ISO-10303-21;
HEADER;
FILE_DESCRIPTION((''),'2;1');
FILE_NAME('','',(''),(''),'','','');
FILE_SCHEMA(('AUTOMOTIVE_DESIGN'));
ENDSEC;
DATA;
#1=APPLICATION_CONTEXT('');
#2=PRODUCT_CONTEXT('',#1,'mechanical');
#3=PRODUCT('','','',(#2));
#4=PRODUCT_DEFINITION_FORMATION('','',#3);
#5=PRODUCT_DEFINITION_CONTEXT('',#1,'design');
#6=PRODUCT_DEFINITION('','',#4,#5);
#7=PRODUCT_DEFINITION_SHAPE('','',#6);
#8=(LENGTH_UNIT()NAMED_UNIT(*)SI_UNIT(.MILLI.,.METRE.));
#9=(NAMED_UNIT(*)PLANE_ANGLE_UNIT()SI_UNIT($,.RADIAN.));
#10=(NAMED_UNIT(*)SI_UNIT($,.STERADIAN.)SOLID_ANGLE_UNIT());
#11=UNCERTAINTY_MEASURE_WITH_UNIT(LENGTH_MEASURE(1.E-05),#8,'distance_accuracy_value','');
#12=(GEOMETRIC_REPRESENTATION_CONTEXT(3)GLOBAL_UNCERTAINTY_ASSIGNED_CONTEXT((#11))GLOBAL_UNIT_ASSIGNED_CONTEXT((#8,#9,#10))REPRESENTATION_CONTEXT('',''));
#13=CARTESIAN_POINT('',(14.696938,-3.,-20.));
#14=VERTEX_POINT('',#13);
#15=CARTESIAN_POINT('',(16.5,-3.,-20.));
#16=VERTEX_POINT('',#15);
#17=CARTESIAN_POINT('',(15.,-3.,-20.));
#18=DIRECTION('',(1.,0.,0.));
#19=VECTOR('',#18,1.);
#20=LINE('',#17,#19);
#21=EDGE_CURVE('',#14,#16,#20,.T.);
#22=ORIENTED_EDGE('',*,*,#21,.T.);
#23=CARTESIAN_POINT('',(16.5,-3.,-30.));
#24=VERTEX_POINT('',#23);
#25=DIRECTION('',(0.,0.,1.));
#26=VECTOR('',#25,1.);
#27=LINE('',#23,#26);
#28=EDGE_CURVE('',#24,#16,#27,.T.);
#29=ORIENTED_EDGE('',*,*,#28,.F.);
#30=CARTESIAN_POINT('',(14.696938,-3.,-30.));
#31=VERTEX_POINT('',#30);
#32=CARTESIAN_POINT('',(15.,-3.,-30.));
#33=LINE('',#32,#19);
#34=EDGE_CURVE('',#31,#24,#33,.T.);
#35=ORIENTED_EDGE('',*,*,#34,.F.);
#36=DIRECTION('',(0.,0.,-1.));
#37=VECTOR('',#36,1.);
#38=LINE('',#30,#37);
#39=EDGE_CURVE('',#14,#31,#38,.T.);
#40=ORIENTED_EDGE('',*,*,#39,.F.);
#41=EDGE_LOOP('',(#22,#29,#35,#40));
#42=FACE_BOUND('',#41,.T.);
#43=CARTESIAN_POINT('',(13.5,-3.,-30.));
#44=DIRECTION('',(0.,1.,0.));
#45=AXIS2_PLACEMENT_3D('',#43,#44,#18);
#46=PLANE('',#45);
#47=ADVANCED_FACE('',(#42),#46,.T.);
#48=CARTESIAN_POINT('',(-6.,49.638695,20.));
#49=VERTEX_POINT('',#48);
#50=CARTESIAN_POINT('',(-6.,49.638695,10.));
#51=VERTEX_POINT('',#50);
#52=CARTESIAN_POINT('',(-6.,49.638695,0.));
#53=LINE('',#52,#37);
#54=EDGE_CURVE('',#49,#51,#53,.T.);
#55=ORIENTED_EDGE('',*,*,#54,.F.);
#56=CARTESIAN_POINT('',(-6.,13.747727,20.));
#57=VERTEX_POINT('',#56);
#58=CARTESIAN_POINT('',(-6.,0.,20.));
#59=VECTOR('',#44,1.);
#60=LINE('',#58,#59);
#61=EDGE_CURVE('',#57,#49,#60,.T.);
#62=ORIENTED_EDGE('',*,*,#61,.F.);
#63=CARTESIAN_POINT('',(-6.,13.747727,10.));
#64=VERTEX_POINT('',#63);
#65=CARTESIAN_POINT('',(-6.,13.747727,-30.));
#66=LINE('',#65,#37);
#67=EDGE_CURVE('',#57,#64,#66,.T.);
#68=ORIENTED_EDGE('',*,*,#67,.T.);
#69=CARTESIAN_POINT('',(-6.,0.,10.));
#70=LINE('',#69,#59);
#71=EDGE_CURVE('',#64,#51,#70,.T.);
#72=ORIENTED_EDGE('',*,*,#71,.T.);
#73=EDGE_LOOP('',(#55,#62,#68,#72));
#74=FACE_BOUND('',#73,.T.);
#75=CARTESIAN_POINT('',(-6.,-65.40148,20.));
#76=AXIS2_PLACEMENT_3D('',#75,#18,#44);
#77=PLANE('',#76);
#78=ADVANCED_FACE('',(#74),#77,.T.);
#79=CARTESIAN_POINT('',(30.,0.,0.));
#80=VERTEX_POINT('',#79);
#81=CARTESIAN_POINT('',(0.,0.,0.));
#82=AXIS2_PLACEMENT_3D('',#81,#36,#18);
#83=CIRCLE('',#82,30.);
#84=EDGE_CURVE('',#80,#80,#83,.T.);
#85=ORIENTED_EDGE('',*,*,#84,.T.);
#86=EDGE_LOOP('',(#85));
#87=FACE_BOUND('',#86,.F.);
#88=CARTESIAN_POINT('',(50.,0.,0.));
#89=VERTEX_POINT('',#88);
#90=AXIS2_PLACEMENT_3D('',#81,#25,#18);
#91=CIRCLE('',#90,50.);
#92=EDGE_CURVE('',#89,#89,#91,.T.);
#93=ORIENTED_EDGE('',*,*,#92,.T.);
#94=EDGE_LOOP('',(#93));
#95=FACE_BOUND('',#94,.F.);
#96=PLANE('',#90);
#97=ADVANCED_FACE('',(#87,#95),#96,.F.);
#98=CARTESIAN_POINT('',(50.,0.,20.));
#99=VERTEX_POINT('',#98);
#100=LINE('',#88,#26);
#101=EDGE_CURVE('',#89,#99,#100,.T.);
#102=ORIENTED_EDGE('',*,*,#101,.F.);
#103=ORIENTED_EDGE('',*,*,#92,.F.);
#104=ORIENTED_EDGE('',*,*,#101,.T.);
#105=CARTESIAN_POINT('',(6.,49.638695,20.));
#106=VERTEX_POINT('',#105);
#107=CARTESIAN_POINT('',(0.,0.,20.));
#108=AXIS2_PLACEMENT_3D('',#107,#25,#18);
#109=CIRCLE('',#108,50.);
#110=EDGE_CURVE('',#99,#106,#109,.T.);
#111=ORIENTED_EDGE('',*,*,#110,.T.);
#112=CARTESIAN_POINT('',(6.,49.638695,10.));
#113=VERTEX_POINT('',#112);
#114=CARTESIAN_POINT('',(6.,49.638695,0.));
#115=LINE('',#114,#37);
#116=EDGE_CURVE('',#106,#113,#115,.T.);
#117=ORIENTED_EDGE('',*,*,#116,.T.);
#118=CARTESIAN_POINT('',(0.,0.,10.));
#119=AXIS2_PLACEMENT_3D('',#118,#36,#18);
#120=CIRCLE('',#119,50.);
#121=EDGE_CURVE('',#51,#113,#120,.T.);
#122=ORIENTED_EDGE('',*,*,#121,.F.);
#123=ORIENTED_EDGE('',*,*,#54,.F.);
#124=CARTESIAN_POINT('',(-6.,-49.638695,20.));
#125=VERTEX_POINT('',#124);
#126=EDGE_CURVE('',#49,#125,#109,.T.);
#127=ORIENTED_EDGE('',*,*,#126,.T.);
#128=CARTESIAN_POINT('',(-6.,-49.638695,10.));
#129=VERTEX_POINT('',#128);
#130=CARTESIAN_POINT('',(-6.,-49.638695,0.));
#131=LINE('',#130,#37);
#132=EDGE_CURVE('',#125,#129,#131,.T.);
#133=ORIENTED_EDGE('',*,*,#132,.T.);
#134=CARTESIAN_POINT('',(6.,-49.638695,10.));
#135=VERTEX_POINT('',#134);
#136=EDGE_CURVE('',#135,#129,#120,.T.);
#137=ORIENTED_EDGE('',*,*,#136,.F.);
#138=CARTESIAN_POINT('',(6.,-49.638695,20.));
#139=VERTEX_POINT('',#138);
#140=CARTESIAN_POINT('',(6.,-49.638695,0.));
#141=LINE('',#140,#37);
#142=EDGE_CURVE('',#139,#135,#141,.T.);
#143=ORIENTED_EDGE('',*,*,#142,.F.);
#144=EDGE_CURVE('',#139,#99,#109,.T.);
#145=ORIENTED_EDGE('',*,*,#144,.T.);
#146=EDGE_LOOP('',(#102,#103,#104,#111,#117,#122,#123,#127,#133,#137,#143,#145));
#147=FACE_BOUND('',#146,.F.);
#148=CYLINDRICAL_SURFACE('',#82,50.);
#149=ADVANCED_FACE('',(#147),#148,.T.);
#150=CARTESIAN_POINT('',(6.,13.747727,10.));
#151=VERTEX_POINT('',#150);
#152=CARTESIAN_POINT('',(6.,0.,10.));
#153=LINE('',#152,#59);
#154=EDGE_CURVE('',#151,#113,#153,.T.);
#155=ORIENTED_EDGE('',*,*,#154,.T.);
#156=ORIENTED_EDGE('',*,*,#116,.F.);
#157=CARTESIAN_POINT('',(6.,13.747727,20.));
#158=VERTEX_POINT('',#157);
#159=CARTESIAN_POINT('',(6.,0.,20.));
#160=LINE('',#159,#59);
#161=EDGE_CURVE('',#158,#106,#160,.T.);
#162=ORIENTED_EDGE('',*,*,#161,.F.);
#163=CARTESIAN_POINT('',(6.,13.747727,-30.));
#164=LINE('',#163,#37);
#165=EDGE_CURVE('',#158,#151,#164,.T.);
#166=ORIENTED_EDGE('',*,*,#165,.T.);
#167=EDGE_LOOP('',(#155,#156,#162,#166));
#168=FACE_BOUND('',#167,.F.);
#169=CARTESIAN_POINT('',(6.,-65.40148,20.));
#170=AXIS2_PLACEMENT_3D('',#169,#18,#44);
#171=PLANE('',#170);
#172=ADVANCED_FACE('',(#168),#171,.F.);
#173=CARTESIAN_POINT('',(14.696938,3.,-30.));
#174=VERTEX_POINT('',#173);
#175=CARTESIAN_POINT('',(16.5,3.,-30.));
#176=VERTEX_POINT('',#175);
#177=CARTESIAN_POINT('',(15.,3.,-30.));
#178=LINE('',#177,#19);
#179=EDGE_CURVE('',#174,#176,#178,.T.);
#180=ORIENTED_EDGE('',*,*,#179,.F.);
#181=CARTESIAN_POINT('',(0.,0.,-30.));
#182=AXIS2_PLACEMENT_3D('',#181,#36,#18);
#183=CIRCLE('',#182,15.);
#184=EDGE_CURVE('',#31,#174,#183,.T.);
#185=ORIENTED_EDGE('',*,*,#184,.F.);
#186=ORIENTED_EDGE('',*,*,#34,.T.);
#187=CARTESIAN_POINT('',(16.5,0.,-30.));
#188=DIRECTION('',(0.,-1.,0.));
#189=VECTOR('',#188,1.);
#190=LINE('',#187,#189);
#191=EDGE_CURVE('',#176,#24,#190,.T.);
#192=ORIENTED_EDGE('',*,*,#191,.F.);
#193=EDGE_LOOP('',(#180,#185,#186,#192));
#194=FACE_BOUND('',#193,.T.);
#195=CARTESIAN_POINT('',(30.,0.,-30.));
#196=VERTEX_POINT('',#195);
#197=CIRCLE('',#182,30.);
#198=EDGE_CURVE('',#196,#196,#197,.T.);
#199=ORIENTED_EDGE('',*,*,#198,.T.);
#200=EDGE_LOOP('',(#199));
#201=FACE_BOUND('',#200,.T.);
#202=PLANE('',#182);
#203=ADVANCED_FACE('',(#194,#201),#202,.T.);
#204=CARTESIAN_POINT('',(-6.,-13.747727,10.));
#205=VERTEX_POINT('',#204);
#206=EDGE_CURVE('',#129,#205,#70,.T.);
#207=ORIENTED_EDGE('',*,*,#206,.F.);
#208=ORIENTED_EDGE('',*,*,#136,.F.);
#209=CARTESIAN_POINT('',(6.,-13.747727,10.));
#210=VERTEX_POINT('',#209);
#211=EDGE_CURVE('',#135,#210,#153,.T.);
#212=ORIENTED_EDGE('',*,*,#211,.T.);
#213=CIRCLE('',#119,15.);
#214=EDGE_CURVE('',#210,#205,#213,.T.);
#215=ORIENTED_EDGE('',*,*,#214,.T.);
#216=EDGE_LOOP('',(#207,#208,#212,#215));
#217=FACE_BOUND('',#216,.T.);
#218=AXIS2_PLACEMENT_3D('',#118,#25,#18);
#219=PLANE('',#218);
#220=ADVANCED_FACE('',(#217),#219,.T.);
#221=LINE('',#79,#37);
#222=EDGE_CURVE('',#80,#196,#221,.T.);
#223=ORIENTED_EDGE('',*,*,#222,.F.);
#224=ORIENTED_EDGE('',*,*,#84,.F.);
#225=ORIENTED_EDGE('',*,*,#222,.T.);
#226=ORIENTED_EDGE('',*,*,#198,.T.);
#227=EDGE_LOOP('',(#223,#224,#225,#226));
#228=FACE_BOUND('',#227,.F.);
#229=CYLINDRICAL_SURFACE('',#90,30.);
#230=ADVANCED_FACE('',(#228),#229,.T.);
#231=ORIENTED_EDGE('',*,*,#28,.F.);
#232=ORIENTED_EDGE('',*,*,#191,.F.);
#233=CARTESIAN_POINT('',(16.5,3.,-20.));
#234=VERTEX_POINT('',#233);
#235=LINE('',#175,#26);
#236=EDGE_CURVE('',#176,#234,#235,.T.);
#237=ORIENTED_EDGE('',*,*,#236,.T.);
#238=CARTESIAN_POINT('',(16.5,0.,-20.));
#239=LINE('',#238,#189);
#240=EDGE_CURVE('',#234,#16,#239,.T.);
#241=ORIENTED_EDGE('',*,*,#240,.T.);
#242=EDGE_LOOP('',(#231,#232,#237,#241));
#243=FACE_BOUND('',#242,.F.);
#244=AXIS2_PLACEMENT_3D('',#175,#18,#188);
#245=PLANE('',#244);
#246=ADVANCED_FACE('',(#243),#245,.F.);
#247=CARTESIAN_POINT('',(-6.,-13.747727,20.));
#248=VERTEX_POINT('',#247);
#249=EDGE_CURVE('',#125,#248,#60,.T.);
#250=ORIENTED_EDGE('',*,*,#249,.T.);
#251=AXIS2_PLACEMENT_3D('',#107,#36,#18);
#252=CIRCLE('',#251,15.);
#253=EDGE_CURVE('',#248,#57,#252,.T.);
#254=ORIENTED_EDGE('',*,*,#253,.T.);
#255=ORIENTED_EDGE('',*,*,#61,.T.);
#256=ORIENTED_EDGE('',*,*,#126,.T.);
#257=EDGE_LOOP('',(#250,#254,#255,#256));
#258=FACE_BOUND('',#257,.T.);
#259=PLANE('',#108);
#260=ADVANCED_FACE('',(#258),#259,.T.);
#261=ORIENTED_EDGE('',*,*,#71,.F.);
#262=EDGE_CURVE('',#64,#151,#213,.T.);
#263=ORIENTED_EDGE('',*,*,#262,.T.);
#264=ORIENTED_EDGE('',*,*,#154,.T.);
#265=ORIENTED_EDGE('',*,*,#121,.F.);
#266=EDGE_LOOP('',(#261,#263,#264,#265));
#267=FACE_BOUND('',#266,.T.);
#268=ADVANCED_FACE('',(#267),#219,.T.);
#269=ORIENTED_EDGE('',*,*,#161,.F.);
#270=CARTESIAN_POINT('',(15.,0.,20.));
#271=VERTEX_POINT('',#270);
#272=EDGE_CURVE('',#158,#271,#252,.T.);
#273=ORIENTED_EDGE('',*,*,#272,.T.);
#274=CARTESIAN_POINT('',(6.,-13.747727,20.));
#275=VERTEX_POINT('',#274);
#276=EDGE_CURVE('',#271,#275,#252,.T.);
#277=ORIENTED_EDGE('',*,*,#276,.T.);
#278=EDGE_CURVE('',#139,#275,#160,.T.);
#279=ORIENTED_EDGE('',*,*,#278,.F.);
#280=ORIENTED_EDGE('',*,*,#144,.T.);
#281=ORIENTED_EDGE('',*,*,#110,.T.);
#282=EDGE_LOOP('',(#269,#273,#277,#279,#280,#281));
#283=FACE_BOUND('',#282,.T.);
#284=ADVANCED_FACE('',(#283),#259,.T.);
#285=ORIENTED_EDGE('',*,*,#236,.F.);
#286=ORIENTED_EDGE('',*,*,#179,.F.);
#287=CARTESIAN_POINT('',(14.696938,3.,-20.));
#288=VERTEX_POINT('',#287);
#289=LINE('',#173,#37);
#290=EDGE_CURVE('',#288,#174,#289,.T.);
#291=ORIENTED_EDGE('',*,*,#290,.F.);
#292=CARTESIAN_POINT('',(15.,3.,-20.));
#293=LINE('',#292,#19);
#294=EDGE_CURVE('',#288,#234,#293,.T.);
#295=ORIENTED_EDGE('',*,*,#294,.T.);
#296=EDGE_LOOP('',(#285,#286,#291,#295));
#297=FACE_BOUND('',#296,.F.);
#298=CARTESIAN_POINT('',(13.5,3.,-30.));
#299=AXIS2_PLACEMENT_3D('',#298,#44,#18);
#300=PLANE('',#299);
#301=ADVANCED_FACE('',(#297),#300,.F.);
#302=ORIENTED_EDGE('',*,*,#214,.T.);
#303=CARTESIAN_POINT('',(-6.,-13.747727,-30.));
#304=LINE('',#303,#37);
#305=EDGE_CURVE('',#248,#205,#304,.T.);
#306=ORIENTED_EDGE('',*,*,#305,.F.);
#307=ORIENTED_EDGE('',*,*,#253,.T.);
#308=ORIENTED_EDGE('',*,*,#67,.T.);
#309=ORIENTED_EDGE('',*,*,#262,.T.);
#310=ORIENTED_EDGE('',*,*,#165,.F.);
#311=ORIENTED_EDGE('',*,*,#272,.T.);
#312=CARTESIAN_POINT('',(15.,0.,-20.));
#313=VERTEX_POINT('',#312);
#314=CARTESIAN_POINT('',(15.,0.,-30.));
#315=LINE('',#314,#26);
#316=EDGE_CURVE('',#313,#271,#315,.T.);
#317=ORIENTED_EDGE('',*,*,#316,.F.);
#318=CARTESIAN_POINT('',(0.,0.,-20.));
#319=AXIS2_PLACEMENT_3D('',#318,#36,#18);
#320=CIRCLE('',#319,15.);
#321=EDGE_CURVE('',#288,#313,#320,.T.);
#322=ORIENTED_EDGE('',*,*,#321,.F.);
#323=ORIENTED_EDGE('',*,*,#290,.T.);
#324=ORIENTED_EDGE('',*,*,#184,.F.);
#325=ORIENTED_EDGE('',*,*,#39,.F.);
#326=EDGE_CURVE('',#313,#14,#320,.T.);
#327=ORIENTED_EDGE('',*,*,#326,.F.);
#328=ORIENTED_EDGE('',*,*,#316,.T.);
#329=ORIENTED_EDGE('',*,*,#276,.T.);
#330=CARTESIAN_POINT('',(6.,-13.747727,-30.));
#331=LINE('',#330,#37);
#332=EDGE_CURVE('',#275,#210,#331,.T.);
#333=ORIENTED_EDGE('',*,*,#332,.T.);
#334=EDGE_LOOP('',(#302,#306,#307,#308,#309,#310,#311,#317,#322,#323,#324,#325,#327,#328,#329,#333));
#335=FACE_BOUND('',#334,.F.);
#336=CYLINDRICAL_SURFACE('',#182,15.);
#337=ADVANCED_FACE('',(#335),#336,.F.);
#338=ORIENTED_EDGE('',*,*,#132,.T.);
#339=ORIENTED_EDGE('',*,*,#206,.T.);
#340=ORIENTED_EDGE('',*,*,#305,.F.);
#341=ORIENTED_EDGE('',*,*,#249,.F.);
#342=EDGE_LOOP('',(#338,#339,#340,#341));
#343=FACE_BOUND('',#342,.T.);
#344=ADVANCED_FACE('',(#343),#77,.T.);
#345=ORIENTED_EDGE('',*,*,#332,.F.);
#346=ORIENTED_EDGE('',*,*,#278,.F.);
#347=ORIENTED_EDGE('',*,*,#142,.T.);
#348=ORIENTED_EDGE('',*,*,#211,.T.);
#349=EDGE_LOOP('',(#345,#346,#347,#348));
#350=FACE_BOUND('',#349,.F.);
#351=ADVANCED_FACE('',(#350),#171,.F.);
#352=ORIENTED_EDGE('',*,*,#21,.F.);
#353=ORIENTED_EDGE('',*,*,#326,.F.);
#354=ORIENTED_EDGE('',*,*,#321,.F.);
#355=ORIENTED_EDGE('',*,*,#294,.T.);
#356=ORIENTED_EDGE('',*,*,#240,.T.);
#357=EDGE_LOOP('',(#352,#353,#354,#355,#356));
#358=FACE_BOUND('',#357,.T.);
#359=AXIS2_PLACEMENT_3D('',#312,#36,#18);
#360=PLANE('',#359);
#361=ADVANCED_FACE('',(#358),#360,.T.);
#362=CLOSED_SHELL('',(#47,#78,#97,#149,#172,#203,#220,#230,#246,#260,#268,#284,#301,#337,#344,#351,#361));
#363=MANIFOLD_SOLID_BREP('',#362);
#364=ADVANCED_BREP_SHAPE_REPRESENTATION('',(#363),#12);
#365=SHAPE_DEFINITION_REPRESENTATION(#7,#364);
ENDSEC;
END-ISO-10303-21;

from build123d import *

# Parameters (mm, degrees)
F0_R     = 50
F1_DEPTH = 20
F2_W     = 12
F2_H     = 130.80296
F3_DEPTH = 10
F4_R     = 30
F5_DEPTH = 30
F7_W     = 3
F7_H     = 6
F8_DEPTH = 10
F6_R     = 15
F9_DEPTH = 50.001


with BuildPart() as f1:
    # F0 (on Top) → F1 (new body)
    with BuildSketch(Plane.XY):
        Circle(F0_R)
    extrude(amount=F1_DEPTH)

    # F2 (on face) → F3 (cut)
    with BuildSketch(Plane.XY.offset(20)):
        Rectangle(F2_W, F2_H)
    extrude(amount=-F3_DEPTH, mode=Mode.SUBTRACT)

    # F4 (on face) → F5 (join)
    with BuildSketch(Plane(origin=(0, 0, 0), x_dir=(1, 0, 0), z_dir=(0, 0, -1))):
        Circle(F4_R)
    extrude(amount=F5_DEPTH)

    # F7 (on face) → F8 (cut)
    with BuildSketch(Plane(origin=(0, 0, -30), x_dir=(1, 0, 0), z_dir=(0, 0, -1))):
        with Locations((15, 0)):
            Rectangle(F7_W, F7_H)
    extrude(amount=-F8_DEPTH, mode=Mode.SUBTRACT)

    # F6 (on face) → F9 (cut, through all)
    with BuildSketch(Plane(origin=(0, 0, -30), x_dir=(1, 0, 0), z_dir=(0, 0, -1))):
        Circle(F6_R)
    extrude(amount=-F9_DEPTH, mode=Mode.SUBTRACT)


solid = f1.part
